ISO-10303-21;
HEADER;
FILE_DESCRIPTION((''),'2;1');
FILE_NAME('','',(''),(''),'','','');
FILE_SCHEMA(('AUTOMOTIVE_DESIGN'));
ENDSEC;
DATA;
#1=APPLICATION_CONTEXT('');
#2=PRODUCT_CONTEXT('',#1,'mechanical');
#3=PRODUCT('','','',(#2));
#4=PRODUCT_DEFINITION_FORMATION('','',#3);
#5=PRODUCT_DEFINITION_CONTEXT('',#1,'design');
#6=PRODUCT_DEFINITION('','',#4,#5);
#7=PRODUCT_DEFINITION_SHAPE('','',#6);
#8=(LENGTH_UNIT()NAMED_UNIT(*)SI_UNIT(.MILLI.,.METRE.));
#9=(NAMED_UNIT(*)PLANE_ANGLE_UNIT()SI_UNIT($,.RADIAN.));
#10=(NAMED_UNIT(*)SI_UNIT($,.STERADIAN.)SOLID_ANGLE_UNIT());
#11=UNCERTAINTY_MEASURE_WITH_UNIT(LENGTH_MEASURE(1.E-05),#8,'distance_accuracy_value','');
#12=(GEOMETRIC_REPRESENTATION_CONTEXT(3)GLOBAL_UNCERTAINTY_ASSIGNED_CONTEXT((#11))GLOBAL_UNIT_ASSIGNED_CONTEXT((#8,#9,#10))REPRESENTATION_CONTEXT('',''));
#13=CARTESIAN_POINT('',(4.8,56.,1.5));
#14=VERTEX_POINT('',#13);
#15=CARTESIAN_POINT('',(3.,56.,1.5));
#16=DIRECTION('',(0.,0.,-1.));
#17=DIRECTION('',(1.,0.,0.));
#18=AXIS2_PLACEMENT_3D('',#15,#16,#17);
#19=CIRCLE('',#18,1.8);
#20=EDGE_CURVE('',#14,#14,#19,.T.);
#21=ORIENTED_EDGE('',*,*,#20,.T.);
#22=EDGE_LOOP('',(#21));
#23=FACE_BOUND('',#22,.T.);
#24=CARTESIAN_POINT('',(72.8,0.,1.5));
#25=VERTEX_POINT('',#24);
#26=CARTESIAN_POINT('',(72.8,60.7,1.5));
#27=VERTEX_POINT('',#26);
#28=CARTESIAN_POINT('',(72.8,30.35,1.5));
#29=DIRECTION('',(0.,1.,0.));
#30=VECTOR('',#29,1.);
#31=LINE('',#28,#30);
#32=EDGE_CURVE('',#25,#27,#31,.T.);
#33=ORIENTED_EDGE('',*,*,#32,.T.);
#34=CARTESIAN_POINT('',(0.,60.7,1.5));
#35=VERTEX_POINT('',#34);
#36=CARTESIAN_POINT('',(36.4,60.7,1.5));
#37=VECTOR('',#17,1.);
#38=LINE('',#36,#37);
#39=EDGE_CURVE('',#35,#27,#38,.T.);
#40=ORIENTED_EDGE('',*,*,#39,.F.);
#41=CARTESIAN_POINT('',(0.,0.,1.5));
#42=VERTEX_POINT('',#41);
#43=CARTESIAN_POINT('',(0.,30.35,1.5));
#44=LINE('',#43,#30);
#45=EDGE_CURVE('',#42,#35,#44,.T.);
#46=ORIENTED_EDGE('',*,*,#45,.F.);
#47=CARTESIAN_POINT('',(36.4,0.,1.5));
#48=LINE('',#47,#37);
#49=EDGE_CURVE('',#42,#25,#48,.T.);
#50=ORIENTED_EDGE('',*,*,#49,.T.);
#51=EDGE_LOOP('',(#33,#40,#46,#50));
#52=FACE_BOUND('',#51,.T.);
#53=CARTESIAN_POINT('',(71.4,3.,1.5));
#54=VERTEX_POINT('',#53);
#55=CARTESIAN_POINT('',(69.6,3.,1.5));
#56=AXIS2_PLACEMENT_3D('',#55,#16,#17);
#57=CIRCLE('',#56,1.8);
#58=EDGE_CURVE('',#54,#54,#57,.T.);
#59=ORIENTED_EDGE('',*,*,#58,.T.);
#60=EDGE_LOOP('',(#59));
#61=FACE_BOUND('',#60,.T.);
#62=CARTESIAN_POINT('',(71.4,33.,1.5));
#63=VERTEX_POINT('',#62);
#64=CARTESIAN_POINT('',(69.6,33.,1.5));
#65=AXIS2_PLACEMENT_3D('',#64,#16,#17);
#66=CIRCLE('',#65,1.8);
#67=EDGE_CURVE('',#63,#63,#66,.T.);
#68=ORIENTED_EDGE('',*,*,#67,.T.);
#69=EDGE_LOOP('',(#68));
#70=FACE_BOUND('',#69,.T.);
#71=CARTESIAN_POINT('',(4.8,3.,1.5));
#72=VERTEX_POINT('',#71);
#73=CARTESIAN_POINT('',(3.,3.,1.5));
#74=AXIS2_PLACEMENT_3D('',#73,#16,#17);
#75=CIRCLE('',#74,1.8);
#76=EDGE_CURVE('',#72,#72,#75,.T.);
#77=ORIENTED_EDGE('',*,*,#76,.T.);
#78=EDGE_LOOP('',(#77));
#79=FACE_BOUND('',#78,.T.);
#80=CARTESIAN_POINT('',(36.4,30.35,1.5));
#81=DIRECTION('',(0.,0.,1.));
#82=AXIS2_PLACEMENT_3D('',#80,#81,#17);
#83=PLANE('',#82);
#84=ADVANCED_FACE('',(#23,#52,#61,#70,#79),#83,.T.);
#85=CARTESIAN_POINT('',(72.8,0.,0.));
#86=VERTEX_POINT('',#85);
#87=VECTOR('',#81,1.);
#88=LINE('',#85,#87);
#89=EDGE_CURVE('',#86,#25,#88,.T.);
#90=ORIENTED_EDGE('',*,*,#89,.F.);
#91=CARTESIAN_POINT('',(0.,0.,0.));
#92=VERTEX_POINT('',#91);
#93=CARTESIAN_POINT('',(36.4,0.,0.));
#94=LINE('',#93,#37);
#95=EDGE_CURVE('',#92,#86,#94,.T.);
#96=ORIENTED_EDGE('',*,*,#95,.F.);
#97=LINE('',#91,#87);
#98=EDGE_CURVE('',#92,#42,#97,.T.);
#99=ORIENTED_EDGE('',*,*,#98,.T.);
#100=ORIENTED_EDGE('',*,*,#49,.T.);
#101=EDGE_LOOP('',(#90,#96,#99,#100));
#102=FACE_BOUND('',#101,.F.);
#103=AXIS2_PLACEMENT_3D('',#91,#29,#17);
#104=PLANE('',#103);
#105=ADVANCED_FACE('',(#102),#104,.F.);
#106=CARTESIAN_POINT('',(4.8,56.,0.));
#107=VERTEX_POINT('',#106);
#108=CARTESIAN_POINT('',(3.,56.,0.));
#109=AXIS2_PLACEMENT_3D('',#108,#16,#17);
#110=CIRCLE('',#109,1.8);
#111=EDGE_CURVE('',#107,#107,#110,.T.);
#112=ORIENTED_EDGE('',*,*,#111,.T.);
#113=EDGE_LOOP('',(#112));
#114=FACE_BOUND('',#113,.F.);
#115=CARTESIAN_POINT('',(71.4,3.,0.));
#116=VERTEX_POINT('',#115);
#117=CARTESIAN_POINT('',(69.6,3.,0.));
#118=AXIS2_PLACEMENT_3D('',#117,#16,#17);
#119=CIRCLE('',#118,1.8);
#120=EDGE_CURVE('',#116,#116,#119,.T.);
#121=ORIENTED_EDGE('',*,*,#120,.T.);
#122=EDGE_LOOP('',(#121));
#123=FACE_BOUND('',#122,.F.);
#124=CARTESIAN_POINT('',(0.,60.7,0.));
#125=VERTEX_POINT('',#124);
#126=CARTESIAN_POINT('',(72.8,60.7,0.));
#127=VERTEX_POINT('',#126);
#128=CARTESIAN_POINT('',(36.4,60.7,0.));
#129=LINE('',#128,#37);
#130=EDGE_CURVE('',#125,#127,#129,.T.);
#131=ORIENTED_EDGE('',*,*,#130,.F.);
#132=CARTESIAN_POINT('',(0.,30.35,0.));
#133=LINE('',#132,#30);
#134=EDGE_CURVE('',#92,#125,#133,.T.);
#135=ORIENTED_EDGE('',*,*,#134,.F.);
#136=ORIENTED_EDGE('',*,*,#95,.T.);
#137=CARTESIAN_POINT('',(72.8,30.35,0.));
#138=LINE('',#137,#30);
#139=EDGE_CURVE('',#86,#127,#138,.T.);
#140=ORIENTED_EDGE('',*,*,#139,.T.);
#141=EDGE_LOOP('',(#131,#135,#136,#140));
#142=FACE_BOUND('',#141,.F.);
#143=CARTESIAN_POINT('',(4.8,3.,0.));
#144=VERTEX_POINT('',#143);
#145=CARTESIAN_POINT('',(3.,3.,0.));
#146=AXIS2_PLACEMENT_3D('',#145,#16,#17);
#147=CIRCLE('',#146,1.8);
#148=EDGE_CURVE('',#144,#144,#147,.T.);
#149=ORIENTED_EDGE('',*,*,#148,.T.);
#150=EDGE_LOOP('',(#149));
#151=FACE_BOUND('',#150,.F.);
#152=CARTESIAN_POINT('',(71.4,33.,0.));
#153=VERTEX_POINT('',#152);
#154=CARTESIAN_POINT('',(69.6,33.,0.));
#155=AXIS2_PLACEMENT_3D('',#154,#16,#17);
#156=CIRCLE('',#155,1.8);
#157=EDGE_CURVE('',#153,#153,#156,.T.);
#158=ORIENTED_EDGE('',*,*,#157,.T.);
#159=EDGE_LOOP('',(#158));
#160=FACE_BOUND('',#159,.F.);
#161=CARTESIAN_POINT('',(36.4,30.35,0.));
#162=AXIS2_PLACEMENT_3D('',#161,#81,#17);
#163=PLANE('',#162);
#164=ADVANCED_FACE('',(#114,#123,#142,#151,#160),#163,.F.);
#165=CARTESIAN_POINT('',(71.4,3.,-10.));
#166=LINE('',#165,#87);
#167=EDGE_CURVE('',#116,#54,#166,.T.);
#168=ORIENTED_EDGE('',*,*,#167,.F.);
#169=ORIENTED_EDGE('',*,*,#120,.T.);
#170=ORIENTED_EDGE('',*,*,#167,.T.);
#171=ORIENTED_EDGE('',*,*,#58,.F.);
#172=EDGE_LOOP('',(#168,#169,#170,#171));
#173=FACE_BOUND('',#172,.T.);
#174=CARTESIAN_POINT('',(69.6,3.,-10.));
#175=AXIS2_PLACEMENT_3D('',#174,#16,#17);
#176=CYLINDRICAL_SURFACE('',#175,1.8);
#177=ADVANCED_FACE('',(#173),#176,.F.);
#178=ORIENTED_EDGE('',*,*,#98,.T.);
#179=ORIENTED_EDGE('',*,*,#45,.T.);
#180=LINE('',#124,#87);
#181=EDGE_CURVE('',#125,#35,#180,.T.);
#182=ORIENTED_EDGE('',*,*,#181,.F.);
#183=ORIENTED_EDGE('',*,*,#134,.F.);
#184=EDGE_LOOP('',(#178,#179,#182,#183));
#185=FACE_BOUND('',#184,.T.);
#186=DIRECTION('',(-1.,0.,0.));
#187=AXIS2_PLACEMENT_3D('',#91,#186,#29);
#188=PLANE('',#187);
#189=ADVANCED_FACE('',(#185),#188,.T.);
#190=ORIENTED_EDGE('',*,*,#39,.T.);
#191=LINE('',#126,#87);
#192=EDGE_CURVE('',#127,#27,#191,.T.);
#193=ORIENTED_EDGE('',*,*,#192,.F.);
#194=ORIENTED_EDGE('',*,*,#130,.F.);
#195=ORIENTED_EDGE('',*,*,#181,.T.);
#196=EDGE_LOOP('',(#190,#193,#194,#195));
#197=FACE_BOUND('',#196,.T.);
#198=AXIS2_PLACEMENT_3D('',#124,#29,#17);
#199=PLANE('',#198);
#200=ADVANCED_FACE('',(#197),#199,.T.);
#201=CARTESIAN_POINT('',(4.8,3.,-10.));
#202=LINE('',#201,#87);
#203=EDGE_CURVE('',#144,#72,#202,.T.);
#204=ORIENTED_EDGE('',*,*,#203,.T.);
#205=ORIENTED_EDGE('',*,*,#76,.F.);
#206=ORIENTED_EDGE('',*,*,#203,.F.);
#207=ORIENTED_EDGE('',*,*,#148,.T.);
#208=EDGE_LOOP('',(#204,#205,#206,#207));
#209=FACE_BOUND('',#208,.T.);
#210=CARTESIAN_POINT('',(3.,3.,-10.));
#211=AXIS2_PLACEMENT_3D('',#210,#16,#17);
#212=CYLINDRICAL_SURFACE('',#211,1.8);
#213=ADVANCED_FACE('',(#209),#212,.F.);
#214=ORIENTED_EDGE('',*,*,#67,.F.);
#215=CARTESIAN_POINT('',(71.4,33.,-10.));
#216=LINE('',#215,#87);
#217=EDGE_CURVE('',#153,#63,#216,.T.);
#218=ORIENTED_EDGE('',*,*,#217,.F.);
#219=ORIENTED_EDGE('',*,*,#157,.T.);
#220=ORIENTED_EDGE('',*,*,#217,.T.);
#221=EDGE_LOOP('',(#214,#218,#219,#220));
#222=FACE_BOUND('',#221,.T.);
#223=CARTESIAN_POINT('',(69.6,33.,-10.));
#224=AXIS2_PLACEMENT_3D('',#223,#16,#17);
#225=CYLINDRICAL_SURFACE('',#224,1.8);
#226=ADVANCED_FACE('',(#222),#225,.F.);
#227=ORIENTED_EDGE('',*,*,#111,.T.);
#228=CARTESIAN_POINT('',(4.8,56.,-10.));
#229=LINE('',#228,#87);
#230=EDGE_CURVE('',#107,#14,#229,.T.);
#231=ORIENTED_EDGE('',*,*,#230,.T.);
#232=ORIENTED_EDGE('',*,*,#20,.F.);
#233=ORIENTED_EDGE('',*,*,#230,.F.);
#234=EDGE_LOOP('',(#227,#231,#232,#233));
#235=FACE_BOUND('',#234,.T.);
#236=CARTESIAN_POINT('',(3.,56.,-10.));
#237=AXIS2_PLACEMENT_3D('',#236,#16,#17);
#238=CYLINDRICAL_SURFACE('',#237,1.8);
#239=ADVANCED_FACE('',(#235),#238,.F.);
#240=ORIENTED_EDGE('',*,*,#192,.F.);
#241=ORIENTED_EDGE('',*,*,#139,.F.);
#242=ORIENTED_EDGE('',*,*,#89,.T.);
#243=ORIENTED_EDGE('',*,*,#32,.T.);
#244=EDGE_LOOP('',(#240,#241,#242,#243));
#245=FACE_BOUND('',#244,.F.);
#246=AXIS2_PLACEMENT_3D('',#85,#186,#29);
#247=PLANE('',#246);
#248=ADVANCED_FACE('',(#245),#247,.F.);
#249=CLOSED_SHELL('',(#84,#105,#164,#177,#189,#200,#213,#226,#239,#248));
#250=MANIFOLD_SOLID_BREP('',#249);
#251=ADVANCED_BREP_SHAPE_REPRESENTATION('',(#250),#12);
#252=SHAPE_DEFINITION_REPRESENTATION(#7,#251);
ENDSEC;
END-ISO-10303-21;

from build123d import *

# Parameters (mm, degrees)
CYLINDER006_R     = 1.8
CYLINDER006_DEPTH = 20
CYLINDER007_R     = 1.8
CYLINDER007_DEPTH = 20
CYLINDER008_R     = 1.8
CYLINDER008_DEPTH = 20
CYLINDER005_R     = 1.8
CYLINDER005_DEPTH = 20
BOX037_W          = 72.8
BOX037_H          = 60.7
BOX037_DEPTH      = 1.5


with BuildPart() as cylinder006:
    # Cylinder006 → Cylinder006 (new body)
    with BuildSketch(Plane(origin=(69.6, 3, 0), x_dir=(1, 0, 0), z_dir=(0, 0, 1))):
        Circle(CYLINDER006_R)
    extrude(amount=CYLINDER006_DEPTH)


with BuildPart() as cylinder007:
    # Cylinder007 → Cylinder007 (new body)
    with BuildSketch(Plane(origin=(3, 56, 0), x_dir=(1, 0, 0), z_dir=(0, 0, 1))):
        Circle(CYLINDER007_R)
    extrude(amount=CYLINDER007_DEPTH)


with BuildPart() as cylinder008:
    # Cylinder008 → Cylinder008 (new body)
    with BuildSketch(Plane(origin=(3, 3, 0), x_dir=(1, 0, 0), z_dir=(0, 0, 1))):
        Circle(CYLINDER008_R)
    extrude(amount=CYLINDER008_DEPTH)


with BuildPart() as fusion010:
    # Cylinder005 → Cylinder005 (new body)
    with BuildSketch(Plane(origin=(69.6, 33, 0), x_dir=(1, 0, 0), z_dir=(0, 0, 1))):
        Circle(CYLINDER005_R)
    extrude(amount=CYLINDER005_DEPTH)

    # Fusion010: union Cylinder006, Cylinder007, Cylinder008
    add(cylinder006.part)
    add(cylinder007.part)
    add(cylinder008.part)


with BuildPart() as fusion010_1:
    # Fusion010 placement: moved
    add(fusion010.part.moved(Location((0, 0, -10))))


with BuildPart() as cut004:
    # Box037 → Box037 (new body)
    with BuildSketch(Plane.XY):
        with Locations((36.4, 30.35)):
            Rectangle(BOX037_W, BOX037_H)
    extrude(amount=BOX037_DEPTH)

    # Cut004: cut Fusion010
    add(fusion010_1.part, mode=Mode.SUBTRACT)


solid = cut004.part
